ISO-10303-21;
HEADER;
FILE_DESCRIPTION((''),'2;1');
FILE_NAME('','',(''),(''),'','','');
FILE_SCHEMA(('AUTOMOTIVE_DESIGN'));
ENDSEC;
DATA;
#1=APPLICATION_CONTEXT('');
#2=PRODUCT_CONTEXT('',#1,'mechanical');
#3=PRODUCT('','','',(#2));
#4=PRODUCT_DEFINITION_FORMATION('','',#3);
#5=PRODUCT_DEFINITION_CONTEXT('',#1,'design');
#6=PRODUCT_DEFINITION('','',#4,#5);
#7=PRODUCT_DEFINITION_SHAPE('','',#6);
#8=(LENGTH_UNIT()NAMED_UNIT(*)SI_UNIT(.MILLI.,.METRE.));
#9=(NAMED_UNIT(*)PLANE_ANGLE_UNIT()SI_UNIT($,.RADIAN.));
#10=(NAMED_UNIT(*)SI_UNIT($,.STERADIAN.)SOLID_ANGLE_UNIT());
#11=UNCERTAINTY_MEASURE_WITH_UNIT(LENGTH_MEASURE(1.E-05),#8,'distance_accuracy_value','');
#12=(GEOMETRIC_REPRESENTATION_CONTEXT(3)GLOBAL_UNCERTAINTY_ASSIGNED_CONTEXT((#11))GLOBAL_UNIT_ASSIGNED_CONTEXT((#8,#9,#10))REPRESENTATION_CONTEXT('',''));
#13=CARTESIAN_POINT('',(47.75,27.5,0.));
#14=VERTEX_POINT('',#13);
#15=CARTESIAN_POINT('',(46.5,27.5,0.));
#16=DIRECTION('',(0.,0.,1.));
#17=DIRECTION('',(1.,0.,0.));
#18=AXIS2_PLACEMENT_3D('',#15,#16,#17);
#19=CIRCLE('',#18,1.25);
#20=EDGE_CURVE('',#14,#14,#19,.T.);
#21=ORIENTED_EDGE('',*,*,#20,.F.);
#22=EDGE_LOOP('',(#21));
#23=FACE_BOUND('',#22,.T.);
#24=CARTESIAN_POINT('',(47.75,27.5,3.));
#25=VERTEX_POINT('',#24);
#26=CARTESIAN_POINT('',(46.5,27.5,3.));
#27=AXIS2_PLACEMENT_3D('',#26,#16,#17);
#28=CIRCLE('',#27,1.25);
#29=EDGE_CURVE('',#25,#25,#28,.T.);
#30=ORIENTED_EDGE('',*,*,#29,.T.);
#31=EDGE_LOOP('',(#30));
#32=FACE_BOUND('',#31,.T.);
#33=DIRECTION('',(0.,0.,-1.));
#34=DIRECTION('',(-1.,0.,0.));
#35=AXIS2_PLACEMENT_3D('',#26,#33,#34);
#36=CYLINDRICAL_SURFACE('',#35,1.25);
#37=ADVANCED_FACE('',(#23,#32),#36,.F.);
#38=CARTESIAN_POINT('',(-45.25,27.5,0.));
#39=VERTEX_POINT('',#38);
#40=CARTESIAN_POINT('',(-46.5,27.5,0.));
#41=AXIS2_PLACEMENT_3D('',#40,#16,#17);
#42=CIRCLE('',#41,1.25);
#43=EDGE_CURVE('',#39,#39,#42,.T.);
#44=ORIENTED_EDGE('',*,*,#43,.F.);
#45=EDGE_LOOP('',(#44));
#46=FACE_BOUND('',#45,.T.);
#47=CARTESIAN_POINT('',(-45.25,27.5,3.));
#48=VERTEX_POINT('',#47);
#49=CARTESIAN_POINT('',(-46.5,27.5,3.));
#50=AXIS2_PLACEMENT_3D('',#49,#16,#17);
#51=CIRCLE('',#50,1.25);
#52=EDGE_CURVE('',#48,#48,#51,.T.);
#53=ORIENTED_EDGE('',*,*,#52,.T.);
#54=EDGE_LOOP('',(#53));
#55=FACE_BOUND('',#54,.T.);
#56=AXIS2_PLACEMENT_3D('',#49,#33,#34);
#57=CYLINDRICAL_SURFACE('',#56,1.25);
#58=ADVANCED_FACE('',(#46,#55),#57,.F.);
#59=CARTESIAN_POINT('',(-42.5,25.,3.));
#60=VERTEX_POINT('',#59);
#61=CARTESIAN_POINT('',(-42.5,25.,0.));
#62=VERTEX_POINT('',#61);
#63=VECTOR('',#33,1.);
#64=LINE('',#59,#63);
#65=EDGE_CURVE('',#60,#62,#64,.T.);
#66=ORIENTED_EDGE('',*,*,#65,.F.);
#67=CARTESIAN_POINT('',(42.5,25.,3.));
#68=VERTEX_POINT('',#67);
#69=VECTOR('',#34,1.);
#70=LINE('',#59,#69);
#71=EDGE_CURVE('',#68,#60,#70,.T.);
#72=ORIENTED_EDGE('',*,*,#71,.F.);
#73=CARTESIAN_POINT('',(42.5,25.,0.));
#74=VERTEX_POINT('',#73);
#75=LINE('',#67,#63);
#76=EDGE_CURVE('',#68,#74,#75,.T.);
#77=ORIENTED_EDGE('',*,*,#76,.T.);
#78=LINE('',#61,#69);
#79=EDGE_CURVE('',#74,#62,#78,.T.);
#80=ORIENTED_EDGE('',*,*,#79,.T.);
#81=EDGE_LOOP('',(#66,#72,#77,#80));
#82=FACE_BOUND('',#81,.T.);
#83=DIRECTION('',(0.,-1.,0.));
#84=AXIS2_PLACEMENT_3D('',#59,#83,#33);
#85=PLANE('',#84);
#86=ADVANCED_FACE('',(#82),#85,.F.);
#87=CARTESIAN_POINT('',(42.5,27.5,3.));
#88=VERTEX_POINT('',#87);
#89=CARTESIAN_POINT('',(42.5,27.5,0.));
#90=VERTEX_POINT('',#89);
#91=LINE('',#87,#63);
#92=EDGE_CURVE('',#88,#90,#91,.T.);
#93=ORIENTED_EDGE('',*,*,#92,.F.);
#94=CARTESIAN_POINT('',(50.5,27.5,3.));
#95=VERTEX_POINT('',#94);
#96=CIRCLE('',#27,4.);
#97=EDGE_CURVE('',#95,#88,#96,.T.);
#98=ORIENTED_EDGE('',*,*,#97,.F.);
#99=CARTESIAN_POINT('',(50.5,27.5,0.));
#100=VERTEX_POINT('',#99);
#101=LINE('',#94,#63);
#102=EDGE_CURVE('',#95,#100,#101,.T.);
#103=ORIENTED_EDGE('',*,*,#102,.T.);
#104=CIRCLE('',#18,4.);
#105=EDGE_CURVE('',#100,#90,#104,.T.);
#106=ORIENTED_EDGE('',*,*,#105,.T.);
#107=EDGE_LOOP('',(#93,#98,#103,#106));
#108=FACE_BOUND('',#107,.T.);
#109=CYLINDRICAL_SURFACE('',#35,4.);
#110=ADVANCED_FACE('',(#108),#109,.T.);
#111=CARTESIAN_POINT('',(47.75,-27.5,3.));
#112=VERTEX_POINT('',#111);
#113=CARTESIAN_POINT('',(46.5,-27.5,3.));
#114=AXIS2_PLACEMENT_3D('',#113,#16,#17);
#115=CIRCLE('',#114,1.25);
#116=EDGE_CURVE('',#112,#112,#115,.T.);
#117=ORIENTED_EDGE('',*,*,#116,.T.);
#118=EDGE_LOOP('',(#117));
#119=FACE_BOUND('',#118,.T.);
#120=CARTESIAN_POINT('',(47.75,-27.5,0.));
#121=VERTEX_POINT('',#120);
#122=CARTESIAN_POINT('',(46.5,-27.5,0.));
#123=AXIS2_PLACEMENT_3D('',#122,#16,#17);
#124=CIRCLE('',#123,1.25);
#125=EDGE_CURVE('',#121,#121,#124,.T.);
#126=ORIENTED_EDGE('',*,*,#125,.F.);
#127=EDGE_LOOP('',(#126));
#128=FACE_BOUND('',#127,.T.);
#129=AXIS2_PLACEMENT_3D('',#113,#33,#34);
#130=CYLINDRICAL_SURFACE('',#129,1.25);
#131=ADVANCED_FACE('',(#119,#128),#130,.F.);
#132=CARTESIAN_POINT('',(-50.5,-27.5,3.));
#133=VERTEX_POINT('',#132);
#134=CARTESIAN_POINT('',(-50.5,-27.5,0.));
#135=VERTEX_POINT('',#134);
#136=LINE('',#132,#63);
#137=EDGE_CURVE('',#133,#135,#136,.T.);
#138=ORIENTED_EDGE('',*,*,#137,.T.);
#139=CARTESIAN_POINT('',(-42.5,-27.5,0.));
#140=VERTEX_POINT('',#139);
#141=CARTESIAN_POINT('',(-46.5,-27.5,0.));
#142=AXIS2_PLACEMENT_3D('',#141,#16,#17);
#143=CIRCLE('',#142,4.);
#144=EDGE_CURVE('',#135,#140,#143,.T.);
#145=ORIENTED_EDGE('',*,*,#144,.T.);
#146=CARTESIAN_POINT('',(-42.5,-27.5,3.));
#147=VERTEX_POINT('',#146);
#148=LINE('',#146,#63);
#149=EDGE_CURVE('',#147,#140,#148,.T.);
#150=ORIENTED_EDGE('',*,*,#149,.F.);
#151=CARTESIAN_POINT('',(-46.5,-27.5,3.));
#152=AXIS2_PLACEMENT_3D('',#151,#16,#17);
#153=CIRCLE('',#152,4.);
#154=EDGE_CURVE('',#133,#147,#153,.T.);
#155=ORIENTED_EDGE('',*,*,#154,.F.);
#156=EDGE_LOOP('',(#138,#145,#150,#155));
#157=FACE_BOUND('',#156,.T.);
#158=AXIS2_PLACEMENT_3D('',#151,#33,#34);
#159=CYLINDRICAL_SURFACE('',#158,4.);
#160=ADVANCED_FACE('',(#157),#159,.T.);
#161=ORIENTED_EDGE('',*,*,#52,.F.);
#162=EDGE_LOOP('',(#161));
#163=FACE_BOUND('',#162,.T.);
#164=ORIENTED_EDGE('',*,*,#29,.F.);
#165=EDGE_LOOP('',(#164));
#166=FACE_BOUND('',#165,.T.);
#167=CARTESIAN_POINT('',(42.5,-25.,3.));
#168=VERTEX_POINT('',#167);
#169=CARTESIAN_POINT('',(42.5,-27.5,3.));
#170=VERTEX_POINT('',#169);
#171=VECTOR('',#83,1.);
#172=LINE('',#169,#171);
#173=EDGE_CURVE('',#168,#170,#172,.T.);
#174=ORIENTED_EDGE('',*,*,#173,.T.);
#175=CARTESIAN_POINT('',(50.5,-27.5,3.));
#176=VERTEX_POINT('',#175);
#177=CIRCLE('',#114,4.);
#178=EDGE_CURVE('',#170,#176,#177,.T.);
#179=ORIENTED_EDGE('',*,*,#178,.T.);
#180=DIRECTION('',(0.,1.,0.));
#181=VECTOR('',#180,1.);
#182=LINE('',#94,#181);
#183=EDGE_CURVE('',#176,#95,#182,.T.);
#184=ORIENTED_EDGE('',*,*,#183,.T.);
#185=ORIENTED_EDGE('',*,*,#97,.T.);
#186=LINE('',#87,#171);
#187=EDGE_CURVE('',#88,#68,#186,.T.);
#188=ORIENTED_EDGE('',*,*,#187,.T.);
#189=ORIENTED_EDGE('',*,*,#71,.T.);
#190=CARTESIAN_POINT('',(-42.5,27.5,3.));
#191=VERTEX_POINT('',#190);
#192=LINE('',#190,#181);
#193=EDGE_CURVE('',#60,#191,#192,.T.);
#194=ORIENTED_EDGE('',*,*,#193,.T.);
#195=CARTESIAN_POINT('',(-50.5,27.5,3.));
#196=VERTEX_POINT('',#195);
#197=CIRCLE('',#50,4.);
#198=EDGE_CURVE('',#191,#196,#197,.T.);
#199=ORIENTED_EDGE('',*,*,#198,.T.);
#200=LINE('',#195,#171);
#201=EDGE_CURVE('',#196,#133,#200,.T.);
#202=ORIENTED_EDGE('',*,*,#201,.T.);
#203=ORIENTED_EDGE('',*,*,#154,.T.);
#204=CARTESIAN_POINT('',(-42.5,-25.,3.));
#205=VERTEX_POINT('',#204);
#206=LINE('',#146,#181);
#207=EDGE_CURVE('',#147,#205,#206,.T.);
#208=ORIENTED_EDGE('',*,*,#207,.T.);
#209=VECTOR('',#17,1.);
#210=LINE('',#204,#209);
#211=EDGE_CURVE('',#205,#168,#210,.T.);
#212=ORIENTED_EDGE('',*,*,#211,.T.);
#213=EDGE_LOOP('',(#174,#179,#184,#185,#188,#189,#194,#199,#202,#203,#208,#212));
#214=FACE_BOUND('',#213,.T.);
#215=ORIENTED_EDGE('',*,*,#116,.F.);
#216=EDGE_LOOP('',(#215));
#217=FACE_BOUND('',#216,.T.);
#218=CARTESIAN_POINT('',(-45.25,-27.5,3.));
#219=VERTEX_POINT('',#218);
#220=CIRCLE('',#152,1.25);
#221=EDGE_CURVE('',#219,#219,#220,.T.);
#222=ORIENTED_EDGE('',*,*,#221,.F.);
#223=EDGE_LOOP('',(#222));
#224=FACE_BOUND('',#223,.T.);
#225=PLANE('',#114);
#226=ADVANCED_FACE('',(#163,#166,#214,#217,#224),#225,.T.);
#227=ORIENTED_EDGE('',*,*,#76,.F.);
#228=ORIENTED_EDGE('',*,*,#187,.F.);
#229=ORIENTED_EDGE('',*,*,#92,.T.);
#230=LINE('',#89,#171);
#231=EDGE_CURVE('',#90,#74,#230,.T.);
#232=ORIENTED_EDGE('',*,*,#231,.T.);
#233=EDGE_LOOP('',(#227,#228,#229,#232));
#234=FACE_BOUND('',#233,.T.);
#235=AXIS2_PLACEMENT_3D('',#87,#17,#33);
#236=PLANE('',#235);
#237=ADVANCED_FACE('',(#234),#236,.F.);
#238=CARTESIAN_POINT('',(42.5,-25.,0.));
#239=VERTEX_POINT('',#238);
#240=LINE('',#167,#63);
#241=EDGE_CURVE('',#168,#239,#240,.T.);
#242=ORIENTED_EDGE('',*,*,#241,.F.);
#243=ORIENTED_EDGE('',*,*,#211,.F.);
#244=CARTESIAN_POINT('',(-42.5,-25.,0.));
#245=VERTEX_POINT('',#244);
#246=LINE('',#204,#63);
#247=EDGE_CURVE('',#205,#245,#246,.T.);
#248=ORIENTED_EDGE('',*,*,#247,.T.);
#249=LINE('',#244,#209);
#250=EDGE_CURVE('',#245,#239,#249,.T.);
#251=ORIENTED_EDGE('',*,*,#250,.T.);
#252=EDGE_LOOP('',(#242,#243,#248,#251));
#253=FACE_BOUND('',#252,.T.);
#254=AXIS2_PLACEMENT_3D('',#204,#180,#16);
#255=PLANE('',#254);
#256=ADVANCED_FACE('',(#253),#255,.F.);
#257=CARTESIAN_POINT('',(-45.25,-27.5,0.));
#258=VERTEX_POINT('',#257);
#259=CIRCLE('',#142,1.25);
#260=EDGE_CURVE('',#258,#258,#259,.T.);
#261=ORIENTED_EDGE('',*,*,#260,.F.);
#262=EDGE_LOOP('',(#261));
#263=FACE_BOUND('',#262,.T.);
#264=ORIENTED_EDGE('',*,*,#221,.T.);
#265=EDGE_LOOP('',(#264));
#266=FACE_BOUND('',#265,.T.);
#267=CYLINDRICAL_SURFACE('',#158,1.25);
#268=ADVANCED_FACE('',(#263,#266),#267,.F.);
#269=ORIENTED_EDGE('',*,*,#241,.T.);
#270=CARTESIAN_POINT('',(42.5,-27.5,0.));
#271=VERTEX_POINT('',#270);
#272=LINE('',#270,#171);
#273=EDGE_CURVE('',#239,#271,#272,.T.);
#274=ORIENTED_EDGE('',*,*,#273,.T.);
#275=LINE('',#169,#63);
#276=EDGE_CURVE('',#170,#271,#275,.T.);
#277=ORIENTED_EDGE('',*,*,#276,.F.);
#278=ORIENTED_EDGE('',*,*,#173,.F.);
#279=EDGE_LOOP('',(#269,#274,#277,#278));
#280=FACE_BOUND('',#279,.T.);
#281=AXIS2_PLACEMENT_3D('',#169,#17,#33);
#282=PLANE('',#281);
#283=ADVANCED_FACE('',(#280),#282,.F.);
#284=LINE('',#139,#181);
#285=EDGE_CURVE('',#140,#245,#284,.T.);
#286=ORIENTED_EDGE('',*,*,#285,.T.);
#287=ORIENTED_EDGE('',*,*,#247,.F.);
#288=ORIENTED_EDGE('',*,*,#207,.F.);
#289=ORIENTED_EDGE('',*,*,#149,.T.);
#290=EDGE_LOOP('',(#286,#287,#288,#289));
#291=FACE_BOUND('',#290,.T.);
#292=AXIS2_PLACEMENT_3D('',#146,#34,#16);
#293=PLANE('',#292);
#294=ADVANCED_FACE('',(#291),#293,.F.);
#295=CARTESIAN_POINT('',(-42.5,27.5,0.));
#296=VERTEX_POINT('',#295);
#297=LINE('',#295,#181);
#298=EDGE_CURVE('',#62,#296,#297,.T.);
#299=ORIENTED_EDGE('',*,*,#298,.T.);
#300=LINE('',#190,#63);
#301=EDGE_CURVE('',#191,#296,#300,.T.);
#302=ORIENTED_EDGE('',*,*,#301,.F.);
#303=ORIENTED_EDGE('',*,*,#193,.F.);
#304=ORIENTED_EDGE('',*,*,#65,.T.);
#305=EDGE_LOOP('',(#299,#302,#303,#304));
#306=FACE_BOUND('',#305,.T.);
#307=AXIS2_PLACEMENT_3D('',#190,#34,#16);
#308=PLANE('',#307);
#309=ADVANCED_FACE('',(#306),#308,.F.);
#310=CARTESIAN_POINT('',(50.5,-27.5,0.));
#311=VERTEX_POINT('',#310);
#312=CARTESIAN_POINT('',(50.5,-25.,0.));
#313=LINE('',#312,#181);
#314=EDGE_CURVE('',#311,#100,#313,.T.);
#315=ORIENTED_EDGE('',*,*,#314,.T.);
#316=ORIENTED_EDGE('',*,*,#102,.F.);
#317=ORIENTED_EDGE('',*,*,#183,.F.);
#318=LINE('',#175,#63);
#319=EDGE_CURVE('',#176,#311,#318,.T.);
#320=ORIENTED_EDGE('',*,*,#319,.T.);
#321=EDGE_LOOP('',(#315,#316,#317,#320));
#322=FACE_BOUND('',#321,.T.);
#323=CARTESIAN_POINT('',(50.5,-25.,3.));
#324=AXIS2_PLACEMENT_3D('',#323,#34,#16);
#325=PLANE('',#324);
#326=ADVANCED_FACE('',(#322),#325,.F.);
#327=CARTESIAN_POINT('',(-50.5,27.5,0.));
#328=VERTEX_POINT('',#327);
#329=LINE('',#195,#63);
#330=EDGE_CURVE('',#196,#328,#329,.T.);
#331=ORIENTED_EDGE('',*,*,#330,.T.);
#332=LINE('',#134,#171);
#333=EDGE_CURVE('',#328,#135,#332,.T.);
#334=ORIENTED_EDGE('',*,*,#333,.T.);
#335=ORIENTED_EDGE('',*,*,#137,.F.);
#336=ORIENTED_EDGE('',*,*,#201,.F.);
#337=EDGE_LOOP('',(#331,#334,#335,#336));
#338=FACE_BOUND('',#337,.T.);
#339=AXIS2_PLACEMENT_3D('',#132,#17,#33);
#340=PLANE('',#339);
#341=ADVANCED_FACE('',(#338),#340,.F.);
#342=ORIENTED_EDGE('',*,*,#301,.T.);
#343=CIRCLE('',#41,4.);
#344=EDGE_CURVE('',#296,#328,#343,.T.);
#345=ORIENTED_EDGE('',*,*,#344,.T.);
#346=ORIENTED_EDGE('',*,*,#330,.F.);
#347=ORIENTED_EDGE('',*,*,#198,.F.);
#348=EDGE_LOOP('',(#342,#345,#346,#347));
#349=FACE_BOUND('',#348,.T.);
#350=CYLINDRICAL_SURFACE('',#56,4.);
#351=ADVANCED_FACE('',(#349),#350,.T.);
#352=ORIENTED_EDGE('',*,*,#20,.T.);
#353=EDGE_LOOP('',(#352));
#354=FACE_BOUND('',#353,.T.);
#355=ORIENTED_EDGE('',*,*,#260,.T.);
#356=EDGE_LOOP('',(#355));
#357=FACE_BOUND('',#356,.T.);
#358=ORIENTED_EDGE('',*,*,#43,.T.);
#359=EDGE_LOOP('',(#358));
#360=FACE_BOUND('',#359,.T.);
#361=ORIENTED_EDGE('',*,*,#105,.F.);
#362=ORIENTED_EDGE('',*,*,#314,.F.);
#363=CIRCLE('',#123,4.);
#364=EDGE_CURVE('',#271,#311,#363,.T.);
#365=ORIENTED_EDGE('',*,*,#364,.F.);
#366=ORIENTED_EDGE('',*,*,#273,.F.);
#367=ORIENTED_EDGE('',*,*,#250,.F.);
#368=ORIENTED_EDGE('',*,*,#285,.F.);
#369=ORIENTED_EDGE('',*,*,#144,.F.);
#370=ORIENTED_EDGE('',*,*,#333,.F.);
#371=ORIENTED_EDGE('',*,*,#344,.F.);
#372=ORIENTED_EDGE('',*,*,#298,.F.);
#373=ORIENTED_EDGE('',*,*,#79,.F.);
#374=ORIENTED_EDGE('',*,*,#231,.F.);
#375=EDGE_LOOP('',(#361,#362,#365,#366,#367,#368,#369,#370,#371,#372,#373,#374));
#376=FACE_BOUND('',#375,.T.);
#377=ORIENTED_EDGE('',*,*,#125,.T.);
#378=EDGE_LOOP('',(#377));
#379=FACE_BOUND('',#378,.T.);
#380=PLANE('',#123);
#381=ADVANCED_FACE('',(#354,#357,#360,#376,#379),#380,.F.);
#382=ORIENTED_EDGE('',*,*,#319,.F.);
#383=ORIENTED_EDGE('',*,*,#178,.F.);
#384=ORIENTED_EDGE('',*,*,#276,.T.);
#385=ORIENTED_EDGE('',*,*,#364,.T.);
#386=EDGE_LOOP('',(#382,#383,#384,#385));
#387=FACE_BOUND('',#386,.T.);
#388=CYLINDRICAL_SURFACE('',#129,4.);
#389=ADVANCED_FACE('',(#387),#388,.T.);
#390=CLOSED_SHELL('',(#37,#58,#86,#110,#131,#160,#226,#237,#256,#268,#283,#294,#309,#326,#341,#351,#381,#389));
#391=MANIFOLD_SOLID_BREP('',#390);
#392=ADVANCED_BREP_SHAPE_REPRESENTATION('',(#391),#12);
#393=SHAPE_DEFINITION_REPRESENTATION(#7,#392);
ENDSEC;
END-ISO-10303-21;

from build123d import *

# Parameters (mm, degrees)
SKETCH1_R           = 1.25
BOSS_EXTRUDE1_DEPTH = 3


with BuildPart() as part:
    # Sketch1 → Boss-Extrude1 (new body)
    with BuildSketch(Plane.XY):
        with BuildLine():
            Line((-42.5, -27.5), (-42.5, -25))
            Line((-42.5, -25), (42.5, -25))
            Line((42.5, -25), (42.5, -27.5))
            ThreePointArc((42.5, -27.5), (46.5, -31.5), (50.5, -27.5))
            Line((50.5, -27.5), (50.5, -25))
            Line((50.5, -25), (50.5, 25))
            Line((50.5, 25), (50.5, 27.5))
            ThreePointArc((50.5, 27.5), (46.5, 31.5), (42.5, 27.5))
            Line((42.5, 27.5), (42.5, 25))
            Line((42.5, 25), (-42.5, 25))
            Line((-42.5, 25), (-42.5, 27.5))
            ThreePointArc((-42.5, 27.5), (-46.5, 31.5), (-50.5, 27.5))
            Line((-50.5, 27.5), (-50.5, 25))
            Line((-50.5, 25), (-50.5, -25))
            Line((-50.5, -25), (-50.5, -27.5))
            ThreePointArc((-50.5, -27.5), (-46.5, -31.5), (-42.5, -27.5))
        make_face()
        with Locations((-46.5, 27.5)):
            Circle(SKETCH1_R, mode=Mode.SUBTRACT)
        with Locations((46.5, 27.5)):
            Circle(SKETCH1_R, mode=Mode.SUBTRACT)
        with Locations((46.5, -27.5)):
            Circle(SKETCH1_R, mode=Mode.SUBTRACT)
        with Locations((-46.5, -27.5)):
            Circle(SKETCH1_R, mode=Mode.SUBTRACT)
    extrude(amount=BOSS_EXTRUDE1_DEPTH)


solid = part.part
